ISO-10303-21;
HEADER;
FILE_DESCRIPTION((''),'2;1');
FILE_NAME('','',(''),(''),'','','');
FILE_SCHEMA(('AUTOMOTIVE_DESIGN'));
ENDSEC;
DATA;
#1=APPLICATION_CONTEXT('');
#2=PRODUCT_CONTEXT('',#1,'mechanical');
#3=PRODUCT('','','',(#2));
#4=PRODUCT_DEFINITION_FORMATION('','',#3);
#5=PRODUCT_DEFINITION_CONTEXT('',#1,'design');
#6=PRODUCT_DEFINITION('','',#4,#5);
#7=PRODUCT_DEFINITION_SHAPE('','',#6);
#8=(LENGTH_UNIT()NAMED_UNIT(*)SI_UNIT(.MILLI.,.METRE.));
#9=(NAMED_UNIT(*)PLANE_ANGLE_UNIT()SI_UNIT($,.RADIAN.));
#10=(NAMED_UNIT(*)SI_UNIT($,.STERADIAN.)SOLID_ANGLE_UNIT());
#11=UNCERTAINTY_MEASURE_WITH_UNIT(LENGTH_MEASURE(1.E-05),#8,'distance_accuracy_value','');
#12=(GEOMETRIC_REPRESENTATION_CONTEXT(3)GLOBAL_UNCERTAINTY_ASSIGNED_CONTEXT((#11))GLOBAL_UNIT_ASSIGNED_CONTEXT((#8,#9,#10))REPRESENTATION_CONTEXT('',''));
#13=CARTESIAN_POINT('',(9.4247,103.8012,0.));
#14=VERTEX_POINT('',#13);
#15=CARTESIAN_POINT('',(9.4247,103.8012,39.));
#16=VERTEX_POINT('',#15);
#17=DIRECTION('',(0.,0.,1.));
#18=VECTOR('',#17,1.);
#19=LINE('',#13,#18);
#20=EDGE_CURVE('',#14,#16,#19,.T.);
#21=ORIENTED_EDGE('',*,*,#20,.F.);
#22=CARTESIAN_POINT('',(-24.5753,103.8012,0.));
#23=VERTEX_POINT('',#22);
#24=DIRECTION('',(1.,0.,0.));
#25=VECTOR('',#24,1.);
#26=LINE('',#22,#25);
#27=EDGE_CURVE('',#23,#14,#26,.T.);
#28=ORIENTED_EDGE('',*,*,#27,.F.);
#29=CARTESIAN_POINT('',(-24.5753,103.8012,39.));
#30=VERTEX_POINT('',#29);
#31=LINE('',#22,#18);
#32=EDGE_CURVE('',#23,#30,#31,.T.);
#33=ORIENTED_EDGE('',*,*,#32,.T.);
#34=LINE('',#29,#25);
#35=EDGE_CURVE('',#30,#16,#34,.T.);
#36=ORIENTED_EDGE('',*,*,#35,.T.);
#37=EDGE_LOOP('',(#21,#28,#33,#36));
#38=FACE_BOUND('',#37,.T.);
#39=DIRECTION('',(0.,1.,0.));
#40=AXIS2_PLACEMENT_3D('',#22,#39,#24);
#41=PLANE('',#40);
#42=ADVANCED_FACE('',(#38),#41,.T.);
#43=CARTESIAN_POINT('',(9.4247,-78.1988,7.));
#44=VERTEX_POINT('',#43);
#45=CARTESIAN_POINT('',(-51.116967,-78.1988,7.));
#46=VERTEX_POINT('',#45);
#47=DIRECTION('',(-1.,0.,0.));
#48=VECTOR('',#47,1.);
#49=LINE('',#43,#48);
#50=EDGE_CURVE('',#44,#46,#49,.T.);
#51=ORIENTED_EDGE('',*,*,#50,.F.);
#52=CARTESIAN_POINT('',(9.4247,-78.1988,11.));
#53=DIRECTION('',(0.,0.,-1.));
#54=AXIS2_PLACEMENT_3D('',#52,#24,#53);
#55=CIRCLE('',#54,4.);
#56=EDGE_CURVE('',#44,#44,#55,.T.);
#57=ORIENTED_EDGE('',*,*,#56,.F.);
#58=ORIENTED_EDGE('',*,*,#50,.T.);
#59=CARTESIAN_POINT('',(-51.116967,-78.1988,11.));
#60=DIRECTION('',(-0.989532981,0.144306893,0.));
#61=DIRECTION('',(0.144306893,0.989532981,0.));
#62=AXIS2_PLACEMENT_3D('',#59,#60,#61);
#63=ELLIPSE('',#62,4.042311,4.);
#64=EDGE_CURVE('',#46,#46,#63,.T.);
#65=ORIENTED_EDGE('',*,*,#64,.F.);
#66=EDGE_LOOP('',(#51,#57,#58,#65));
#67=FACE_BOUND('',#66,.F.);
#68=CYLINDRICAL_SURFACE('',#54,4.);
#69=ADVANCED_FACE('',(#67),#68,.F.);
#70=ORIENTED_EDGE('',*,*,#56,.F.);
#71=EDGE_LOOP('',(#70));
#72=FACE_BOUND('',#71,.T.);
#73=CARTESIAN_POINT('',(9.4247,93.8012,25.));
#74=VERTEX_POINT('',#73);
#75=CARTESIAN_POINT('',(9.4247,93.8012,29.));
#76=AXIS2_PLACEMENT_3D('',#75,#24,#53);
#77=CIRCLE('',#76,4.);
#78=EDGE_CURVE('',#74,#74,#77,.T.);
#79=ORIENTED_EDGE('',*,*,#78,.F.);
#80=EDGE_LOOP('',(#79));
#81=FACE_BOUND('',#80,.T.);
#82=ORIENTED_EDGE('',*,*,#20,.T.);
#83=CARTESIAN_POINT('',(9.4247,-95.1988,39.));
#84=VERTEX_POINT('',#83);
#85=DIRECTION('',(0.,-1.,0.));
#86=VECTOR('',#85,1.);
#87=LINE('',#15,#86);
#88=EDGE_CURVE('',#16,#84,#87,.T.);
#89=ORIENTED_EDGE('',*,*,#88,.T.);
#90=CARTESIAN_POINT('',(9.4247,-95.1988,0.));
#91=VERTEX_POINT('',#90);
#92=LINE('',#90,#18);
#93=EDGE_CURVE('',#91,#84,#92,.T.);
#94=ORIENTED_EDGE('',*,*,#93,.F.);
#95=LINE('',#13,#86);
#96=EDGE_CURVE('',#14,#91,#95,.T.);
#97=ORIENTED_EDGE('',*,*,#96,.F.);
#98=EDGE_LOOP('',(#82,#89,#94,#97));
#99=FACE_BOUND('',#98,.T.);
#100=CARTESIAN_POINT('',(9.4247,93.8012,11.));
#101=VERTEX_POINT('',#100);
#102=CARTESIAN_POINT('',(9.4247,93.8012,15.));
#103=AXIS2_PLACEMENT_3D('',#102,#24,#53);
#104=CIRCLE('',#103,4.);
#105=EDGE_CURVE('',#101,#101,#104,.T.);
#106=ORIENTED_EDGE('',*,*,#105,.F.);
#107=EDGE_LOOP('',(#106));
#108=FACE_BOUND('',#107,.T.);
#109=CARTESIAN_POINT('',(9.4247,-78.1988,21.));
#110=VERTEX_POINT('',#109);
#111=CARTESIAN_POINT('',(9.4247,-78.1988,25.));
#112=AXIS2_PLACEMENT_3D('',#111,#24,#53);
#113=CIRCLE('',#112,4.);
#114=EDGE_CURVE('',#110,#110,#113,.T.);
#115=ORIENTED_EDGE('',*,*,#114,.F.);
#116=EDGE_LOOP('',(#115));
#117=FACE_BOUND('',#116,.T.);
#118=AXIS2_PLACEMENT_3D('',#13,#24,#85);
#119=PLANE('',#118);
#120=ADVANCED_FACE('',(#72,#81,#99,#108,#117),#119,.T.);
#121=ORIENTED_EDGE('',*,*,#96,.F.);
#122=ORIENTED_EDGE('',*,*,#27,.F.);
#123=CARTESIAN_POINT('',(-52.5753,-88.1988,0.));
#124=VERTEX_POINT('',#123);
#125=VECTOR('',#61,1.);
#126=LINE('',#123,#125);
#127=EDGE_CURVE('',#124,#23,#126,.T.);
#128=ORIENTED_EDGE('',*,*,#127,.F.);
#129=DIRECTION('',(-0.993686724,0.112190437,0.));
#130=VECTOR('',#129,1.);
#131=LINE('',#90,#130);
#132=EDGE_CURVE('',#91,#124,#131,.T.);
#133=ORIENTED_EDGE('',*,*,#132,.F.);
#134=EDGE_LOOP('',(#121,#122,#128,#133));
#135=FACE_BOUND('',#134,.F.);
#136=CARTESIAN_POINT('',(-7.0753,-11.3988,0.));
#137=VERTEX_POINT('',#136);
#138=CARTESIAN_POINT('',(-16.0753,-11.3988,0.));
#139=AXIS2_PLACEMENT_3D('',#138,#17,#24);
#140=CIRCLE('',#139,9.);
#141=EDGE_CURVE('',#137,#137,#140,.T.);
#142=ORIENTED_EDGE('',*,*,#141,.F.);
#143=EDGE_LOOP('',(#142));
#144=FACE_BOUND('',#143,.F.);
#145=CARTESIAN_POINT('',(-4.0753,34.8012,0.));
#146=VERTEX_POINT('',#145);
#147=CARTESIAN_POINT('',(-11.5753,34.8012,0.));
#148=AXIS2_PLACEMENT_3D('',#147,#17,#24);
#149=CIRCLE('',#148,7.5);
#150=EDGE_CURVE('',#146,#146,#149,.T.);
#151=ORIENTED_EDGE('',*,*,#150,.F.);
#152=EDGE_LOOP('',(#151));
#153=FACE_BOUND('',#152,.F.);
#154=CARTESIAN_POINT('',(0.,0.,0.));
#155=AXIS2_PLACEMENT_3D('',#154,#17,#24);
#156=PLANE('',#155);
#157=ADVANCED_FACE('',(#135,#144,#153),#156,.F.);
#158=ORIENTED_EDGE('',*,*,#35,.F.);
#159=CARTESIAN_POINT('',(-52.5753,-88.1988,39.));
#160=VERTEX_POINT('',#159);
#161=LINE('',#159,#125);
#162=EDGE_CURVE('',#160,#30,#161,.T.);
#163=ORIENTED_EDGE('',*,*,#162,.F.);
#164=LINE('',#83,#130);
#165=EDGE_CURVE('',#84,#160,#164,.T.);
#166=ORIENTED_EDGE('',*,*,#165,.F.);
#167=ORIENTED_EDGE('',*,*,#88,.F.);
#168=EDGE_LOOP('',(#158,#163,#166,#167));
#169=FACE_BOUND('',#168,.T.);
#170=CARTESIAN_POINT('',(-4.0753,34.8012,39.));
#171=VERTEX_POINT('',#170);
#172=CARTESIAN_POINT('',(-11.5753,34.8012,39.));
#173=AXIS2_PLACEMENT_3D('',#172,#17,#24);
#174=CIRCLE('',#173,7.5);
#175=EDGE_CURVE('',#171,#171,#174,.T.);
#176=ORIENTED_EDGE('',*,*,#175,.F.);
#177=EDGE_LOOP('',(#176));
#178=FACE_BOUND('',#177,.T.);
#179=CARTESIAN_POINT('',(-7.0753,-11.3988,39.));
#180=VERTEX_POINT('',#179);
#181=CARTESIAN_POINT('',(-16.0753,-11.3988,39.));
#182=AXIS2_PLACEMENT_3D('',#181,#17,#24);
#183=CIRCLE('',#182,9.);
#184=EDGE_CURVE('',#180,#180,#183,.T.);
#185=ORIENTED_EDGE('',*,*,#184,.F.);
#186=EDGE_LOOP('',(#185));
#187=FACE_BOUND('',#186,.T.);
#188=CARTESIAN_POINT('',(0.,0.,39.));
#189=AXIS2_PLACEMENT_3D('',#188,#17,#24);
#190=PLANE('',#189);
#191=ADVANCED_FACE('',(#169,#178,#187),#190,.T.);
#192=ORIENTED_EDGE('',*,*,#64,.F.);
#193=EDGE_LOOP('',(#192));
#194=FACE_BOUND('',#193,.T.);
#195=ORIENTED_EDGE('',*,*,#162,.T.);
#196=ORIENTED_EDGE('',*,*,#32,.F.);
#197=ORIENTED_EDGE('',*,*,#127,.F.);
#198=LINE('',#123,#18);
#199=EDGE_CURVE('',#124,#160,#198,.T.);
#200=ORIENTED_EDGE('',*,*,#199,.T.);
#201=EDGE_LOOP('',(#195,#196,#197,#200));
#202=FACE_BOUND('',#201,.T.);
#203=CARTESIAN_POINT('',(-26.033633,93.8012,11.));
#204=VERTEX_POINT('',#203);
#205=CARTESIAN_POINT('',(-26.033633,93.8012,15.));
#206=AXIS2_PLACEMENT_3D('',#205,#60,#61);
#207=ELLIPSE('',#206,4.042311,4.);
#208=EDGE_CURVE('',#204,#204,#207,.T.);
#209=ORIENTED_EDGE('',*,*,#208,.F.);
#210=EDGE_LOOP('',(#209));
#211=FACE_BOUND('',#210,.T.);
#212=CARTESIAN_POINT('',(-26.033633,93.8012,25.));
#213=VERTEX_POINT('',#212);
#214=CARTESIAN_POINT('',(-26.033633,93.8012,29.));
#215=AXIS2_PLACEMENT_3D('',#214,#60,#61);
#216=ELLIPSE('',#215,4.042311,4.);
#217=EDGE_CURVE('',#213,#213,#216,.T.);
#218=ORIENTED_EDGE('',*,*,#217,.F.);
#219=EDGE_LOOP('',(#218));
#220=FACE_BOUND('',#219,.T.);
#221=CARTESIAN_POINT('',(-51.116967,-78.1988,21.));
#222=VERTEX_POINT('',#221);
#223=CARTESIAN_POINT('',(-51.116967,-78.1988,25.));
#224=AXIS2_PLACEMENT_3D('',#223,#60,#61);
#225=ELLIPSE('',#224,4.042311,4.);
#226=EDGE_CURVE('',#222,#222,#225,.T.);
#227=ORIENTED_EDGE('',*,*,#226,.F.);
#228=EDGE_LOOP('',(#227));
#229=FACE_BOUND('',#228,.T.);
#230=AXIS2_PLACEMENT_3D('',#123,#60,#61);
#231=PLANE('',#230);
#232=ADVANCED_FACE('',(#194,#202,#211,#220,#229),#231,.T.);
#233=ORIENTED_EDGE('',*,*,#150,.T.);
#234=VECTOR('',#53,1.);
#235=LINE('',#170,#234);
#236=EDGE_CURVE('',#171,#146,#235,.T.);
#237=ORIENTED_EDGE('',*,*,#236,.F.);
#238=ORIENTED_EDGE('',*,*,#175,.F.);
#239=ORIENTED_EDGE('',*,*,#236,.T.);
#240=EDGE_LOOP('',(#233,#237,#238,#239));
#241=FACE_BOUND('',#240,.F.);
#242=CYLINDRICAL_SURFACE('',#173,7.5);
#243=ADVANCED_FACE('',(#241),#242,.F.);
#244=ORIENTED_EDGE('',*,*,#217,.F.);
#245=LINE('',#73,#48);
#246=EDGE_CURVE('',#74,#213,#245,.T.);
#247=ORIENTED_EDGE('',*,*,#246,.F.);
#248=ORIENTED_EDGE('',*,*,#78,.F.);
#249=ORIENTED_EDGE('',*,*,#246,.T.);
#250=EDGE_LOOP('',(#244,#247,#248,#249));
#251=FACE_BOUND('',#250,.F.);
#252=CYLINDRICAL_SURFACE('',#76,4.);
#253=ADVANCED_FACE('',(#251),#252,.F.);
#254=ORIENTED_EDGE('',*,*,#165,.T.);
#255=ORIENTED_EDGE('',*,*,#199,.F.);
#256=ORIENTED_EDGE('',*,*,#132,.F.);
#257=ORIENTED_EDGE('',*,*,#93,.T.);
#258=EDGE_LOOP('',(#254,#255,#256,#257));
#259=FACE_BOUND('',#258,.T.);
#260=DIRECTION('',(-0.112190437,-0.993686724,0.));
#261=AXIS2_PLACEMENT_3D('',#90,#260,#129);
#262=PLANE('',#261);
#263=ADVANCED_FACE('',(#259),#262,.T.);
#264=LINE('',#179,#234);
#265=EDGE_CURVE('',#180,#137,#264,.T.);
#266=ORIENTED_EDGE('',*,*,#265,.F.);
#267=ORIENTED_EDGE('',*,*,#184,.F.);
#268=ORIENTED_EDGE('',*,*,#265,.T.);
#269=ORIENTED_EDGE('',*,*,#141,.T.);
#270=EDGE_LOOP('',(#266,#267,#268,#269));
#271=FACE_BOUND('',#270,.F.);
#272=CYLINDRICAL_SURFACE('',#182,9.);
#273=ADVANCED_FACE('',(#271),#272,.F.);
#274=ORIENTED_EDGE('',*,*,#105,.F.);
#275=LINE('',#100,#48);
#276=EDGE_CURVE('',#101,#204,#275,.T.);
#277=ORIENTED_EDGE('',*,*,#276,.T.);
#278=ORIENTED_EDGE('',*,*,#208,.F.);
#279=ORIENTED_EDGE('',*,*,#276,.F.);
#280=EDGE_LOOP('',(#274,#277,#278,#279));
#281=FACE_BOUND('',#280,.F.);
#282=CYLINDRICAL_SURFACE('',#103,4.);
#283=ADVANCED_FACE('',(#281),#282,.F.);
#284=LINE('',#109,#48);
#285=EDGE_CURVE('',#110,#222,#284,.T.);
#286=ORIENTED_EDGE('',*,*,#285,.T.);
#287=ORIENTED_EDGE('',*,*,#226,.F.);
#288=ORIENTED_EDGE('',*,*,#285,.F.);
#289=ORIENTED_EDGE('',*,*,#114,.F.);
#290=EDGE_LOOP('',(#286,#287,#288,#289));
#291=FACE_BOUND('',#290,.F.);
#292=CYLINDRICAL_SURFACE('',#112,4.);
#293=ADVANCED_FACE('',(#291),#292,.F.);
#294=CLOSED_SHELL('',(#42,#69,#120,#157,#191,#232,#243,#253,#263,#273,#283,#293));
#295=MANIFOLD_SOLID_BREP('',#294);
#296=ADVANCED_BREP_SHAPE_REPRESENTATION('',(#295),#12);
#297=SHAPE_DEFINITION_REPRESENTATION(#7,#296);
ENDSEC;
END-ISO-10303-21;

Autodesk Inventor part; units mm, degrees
ref_plane "YZ Plane" through (0, 0, 0) normal (1, 0, 0) x (0, 1, 0)
ref_plane "XZ Plane" through (0, 0, 0) normal (0, 1, 0) x (-1, 0, 0)
ref_plane "XY Plane" through (0, 0, 0) normal (0, 0, 1) x (1, 0, 0)
sketch "Sketch1" plane through (0, 0, 0) normal (0, 0, 1) x (1, 0, 0)
  line L0 (9.4247, 103.8012) -> (9.4247, -95.1988)
  line L1 (9.4247, -95.1988) -> (-52.5753, -88.1988)
  line L2 (-52.5753, -88.1988) -> (-24.5753, 103.8012)
  line L3 (-24.5753, 103.8012) -> (9.4247, 103.8012)
  point P0 (0, 0)
  dimension "d0" = 199
  dimension "d1" = 62
  dimension "d2" = 34
  dimension "d3" = 7
extrude "Extrusion1" add sketch "Sketch1" along normal blind 39
sketch "Sketch2" plane through (9.4247, -95.1988, 0) normal (1, 0, 0) x (0, 0, -1)
  circle A0 centre (-11, 17) radius 4
  circle A1 centre (-25, 17) radius 4
  circle A2 centre (-15, 189) radius 4
  circle A3 centre (-29, 189) radius 4
  line L0 (-39, 0) -> (-39, 199) projected
  line L1 (0, 0) -> (-39, 0) projected
  line L2 (0, 199) -> (-39, 199) projected
  point P0 (0, 95.1988)
  dimension "d6" = 8
  dimension "d7" = 8
  dimension "d8" = 14
  dimension "d9" = 14
  dimension "d10" = 172
  dimension "d11" = 8
  dimension "d12" = 8
  dimension "d13" = 14
  dimension "d14" = 10
  dimension "d18" = 10
extrude "Extrusion2" cut sketch "Sketch2" against normal through all
sketch "Sketch3" plane through (0, 0, 39) normal (0, 0, 1) x (1, 0, 0)
  circle A0 centre (-16.0753, -11.3988) radius 9
  circle A1 centre (-11.5753, 34.8012) radius 7.5
  line L0 (9.4247, -95.1988) -> (9.4247, 103.8012) projected
  line L1 (9.4247, 103.8012) -> (-24.5753, 103.8012) projected
  point P0 (0, 0)
  dimension "d19" = 18
  dimension "d20" = 15
  dimension "d21" = 25.5
  dimension "d22" = 21
  dimension "d23" = 69
  dimension "d24" = 115.2
extrude "Extrusion3" cut sketch "Sketch3" against normal through all
properties part number "Ball screw support [bed]"
